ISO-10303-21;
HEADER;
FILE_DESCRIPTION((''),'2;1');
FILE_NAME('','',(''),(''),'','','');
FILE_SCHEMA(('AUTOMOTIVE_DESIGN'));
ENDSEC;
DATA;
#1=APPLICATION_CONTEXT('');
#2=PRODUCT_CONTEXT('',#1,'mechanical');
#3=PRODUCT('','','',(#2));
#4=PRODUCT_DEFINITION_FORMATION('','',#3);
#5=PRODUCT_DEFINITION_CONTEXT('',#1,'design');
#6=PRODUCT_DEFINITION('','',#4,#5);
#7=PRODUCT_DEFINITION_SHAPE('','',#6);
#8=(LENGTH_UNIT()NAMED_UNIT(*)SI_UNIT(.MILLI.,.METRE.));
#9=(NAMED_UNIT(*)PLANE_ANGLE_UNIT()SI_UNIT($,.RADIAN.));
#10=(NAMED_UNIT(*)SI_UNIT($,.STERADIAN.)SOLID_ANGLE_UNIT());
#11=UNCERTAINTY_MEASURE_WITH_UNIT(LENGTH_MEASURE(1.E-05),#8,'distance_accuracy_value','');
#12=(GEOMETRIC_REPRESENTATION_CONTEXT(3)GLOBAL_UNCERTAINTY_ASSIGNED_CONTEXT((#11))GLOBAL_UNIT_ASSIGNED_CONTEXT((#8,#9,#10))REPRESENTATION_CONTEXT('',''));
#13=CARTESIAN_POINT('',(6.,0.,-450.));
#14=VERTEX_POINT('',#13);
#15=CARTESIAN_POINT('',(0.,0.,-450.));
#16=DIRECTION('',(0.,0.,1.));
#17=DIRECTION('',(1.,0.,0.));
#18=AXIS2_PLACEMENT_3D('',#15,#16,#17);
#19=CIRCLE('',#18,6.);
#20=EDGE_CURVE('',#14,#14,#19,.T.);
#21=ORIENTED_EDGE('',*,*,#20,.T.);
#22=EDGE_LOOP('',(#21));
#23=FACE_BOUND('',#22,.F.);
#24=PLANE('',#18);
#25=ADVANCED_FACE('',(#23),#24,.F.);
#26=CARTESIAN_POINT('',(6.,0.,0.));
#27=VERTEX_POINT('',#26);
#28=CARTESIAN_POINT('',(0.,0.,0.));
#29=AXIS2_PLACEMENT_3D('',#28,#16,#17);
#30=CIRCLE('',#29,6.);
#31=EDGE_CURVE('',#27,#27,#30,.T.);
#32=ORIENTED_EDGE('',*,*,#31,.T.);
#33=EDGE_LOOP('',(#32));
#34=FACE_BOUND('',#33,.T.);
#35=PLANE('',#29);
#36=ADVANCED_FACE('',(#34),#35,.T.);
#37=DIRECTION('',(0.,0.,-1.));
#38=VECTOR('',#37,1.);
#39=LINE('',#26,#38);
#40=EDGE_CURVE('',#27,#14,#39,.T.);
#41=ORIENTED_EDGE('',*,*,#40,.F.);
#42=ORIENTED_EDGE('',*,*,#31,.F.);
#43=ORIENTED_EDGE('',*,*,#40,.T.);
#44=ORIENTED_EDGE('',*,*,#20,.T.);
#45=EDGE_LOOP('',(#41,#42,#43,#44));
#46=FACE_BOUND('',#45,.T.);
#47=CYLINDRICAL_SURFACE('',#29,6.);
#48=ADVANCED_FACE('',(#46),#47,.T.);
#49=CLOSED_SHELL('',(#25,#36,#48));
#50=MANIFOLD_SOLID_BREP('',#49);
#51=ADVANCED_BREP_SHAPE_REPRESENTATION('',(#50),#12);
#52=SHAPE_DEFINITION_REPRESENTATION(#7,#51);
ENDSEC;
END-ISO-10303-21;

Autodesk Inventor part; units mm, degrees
ref_plane "YZ Plane" through (0, 0, 0) normal (1, 0, 0) x (0, 1, 0)
ref_plane "XZ Plane" through (0, 0, 0) normal (0, 1, 0) x (-1, 0, 0)
ref_plane "XY Plane" through (0, 0, 0) normal (0, 0, 1) x (1, 0, 0)
sketch "Sketch1" plane through (0, 0, 0) normal (0, 0, 1) x (1, 0, 0)
  circle A0 centre (0, 0) radius 6
  dimension "d0" = 12
extrude "Extrusion1" add sketch "Sketch1" against normal blind 450
properties part number "450mm mil"
